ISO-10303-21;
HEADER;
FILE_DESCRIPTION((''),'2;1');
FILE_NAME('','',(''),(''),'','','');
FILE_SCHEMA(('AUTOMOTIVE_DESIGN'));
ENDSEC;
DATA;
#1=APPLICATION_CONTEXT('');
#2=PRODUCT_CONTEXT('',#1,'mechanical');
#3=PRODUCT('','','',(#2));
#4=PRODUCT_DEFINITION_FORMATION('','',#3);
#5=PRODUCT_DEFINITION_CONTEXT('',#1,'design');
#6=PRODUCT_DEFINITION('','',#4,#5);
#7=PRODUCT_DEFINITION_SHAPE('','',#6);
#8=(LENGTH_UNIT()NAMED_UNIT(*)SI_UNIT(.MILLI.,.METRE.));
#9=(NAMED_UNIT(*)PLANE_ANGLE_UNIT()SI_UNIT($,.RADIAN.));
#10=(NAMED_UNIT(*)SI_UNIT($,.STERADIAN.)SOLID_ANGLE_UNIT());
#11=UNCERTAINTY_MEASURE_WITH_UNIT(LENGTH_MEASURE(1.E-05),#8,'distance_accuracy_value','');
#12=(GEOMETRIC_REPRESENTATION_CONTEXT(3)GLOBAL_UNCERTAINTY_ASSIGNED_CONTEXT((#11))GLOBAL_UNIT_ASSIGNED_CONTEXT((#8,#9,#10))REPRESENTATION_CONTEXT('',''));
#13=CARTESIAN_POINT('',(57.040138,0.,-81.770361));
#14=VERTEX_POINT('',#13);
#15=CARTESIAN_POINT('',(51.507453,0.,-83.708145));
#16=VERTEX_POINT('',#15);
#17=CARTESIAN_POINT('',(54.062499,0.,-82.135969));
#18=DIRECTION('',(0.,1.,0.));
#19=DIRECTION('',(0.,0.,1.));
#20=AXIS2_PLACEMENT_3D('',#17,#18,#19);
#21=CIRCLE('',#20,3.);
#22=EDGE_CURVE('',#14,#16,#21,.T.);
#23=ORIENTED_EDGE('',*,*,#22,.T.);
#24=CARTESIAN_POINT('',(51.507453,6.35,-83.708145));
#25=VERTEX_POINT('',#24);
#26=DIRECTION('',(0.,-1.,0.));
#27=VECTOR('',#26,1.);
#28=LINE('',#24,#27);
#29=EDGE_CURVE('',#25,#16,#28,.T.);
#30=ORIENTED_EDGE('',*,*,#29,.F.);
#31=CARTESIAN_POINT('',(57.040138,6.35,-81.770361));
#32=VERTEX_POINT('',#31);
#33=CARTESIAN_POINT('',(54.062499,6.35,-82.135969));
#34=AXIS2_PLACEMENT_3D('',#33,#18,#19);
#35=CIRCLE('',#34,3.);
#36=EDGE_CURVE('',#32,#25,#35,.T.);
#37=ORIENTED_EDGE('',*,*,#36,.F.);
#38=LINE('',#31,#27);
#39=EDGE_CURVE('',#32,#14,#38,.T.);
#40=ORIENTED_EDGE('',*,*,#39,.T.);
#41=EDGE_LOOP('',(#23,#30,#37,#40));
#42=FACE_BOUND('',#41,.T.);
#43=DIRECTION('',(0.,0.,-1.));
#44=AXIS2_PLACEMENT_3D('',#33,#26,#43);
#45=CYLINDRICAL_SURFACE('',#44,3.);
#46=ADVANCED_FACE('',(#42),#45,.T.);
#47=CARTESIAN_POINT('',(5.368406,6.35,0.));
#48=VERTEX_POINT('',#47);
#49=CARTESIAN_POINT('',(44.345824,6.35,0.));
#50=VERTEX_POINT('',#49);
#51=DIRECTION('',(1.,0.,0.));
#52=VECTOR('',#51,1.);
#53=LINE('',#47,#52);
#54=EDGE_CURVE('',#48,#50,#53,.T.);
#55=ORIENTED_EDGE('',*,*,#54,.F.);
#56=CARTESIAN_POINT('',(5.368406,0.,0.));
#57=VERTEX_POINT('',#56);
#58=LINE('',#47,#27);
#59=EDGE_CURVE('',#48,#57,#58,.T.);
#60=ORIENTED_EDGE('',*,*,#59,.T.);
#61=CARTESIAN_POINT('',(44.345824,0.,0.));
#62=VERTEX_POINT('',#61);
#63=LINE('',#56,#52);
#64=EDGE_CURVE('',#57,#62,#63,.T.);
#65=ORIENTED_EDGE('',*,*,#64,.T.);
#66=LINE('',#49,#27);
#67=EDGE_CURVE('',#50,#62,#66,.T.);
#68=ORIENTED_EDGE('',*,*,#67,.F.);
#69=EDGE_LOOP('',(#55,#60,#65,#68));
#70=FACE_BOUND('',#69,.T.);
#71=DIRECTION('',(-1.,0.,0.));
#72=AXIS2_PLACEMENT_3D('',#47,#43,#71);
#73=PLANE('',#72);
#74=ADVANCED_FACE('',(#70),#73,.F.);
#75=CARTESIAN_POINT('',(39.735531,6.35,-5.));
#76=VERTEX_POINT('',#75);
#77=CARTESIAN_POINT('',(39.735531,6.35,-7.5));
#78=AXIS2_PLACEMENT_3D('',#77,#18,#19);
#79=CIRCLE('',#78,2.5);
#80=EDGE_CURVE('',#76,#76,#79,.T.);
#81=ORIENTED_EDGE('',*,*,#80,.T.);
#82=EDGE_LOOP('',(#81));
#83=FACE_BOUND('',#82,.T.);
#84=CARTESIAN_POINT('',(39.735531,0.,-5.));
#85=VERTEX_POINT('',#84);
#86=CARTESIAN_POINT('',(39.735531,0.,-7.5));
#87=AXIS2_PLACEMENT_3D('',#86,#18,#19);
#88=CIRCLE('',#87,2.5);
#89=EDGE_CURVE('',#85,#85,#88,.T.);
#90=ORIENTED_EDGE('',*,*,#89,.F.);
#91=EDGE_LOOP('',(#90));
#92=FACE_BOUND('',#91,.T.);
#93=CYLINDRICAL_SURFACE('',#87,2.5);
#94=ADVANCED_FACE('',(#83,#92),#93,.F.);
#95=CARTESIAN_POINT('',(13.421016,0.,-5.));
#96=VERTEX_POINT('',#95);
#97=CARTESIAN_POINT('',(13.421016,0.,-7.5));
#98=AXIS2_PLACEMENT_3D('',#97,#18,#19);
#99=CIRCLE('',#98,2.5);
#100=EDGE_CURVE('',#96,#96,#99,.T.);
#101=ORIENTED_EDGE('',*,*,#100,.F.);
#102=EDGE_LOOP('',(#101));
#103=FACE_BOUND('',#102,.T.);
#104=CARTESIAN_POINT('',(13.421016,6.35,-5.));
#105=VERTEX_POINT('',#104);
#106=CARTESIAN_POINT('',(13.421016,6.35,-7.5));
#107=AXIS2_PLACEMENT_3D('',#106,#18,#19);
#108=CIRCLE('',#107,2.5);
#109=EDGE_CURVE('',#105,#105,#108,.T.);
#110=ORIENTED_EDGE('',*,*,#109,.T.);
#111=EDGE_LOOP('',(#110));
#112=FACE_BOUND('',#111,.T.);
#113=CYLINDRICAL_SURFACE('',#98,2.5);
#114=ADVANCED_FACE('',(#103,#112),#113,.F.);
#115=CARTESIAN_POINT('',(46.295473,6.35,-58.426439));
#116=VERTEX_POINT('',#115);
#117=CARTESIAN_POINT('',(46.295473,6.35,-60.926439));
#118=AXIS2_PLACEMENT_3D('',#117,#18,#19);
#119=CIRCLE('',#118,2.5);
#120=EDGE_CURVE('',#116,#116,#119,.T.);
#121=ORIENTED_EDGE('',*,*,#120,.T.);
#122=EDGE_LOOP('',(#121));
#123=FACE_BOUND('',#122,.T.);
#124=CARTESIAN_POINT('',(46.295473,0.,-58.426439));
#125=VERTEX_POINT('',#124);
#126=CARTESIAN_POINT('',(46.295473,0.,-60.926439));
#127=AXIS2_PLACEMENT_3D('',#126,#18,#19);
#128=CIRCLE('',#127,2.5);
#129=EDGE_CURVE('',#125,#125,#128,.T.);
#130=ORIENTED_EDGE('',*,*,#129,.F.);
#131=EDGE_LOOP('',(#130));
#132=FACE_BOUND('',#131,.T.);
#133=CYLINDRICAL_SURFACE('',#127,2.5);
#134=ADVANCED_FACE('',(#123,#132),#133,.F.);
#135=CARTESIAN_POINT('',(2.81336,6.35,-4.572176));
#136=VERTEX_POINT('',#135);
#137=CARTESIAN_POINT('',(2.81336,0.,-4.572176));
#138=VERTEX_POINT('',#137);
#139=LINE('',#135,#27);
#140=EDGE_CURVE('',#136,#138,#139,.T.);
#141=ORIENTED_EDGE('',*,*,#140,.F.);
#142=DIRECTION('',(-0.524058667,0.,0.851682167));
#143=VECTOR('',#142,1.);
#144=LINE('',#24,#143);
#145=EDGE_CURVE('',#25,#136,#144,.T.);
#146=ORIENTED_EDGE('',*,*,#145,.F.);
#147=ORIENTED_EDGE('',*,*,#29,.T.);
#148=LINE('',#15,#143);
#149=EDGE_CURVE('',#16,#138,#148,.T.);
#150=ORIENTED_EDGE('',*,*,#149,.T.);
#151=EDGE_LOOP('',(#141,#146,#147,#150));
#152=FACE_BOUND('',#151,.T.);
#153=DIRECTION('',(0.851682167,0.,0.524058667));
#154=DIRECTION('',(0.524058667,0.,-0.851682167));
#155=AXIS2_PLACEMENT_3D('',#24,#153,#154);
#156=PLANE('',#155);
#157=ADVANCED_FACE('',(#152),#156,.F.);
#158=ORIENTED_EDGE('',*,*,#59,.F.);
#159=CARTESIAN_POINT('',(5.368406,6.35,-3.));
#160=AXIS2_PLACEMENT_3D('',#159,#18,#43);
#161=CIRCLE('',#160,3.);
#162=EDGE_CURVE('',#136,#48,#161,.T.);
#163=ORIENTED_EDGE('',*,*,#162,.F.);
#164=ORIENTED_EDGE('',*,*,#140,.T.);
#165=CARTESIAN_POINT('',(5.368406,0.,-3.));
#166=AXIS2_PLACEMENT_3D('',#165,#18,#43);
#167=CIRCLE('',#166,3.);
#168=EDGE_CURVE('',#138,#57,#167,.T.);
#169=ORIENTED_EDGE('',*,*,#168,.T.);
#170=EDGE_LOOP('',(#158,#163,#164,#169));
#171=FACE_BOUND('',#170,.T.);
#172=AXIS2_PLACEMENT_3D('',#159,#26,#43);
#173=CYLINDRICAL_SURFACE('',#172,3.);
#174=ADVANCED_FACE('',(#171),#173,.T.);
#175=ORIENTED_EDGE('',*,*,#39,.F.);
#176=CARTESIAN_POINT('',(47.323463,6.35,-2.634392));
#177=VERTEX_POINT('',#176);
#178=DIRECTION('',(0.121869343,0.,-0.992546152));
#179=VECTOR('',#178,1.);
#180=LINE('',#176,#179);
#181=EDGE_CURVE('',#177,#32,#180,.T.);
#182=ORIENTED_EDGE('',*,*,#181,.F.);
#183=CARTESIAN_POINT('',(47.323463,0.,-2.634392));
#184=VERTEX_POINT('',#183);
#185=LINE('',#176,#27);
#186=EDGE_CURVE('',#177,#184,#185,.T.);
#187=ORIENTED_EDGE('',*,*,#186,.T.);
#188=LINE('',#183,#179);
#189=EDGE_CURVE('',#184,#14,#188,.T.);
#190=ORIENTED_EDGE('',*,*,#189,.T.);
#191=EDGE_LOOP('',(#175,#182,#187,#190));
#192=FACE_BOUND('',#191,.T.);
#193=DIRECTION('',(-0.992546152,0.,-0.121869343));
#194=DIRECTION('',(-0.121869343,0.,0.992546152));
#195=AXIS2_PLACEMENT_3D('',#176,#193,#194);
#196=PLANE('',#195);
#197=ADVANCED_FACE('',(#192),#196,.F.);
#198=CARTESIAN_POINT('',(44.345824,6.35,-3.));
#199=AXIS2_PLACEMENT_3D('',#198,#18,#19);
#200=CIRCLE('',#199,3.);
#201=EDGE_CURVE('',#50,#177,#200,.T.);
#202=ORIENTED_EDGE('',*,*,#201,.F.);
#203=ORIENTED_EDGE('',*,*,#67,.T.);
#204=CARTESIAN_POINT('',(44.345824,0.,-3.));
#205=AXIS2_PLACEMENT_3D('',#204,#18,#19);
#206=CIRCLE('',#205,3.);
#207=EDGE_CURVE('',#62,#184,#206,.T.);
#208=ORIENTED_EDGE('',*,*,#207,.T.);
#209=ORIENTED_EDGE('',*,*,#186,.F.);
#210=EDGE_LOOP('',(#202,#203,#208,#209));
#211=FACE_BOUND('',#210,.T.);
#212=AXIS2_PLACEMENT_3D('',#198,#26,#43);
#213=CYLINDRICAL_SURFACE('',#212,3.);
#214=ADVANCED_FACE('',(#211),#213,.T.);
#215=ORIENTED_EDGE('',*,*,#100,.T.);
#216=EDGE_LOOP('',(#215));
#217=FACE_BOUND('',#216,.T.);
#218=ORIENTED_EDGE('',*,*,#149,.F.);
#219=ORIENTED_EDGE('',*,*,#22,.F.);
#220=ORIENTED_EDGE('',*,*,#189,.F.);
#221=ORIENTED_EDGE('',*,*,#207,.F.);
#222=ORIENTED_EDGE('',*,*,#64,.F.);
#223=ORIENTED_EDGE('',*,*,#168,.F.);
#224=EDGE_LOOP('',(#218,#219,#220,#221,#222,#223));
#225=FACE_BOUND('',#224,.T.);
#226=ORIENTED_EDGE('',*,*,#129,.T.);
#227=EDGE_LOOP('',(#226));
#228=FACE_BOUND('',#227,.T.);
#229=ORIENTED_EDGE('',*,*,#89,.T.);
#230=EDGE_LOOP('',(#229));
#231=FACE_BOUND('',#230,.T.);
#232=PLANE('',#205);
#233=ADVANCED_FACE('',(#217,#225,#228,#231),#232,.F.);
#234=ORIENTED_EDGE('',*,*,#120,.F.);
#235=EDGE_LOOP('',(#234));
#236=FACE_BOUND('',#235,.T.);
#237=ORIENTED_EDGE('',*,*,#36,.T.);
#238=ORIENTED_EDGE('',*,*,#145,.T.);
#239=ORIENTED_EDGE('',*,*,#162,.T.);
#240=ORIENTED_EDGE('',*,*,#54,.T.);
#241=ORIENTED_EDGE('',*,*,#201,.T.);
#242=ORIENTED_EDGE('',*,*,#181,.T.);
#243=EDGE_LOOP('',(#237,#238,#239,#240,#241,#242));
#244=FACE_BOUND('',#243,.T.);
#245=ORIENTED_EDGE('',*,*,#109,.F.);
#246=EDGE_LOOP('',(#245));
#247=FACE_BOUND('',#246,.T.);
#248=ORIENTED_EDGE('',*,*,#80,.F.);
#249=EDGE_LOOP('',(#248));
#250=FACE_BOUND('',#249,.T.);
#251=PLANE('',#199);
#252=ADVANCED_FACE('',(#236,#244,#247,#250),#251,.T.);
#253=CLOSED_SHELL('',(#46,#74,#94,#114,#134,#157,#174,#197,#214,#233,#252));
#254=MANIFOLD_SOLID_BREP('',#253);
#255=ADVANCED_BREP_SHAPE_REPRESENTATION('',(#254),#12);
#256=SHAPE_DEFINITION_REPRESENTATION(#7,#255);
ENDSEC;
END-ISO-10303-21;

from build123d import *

# Parameters (mm, degrees)
BOSS_EXTRUDE1_DEPTH = 6.35
SKETCH2_R           = 2.5
CUT_EXTRUDE1_DEPTH  = 103.686827993


with BuildPart() as part:
    # Sketch1 → Boss-Extrude1 (new body)
    with BuildSketch(Plane(origin=(0, 0, 0), x_dir=(1, 0, 0), z_dir=(0, 1, 0))):
        with BuildLine():
            Line((5.368406408, 0), (44.345824206, 0))
            ThreePointArc((44.345824206, 0), (46.333684351, 0.753132838), (47.323462661, 2.63439197))
            Line((47.323462661, 2.63439197), (57.040137924, 81.77036144))
            ThreePointArc((57.040137924, 81.77036144), (55.05416359, 84.967329968), (51.507452969, 83.708145472))
            Line((51.507452969, 83.708145472), (2.813359907, 4.572176002))
            ThreePointArc((2.813359907, 4.572176002), (2.749577661, 1.536532885), (5.368406408, 0))
        make_face()
    extrude(amount=BOSS_EXTRUDE1_DEPTH)

    # Sketch2 → Cut-Extrude1 (cut, through all)
    with BuildSketch(Plane(origin=(0, 6.35, 0), x_dir=(1, 0, 0), z_dir=(0, 1, 0))):
        with Locations(Location((13.421016019, 7.5, 0), (0, 0, 270))):
            Circle(SKETCH2_R)
        with Locations(Location((46.29547273, 60.926439205, 0), (0, 0, 270))):
            Circle(SKETCH2_R)
        with Locations(Location((39.735530851, 7.5, 0), (0, 0, 270))):
            Circle(SKETCH2_R)
    extrude(amount=-CUT_EXTRUDE1_DEPTH, mode=Mode.SUBTRACT)


solid = part.part
